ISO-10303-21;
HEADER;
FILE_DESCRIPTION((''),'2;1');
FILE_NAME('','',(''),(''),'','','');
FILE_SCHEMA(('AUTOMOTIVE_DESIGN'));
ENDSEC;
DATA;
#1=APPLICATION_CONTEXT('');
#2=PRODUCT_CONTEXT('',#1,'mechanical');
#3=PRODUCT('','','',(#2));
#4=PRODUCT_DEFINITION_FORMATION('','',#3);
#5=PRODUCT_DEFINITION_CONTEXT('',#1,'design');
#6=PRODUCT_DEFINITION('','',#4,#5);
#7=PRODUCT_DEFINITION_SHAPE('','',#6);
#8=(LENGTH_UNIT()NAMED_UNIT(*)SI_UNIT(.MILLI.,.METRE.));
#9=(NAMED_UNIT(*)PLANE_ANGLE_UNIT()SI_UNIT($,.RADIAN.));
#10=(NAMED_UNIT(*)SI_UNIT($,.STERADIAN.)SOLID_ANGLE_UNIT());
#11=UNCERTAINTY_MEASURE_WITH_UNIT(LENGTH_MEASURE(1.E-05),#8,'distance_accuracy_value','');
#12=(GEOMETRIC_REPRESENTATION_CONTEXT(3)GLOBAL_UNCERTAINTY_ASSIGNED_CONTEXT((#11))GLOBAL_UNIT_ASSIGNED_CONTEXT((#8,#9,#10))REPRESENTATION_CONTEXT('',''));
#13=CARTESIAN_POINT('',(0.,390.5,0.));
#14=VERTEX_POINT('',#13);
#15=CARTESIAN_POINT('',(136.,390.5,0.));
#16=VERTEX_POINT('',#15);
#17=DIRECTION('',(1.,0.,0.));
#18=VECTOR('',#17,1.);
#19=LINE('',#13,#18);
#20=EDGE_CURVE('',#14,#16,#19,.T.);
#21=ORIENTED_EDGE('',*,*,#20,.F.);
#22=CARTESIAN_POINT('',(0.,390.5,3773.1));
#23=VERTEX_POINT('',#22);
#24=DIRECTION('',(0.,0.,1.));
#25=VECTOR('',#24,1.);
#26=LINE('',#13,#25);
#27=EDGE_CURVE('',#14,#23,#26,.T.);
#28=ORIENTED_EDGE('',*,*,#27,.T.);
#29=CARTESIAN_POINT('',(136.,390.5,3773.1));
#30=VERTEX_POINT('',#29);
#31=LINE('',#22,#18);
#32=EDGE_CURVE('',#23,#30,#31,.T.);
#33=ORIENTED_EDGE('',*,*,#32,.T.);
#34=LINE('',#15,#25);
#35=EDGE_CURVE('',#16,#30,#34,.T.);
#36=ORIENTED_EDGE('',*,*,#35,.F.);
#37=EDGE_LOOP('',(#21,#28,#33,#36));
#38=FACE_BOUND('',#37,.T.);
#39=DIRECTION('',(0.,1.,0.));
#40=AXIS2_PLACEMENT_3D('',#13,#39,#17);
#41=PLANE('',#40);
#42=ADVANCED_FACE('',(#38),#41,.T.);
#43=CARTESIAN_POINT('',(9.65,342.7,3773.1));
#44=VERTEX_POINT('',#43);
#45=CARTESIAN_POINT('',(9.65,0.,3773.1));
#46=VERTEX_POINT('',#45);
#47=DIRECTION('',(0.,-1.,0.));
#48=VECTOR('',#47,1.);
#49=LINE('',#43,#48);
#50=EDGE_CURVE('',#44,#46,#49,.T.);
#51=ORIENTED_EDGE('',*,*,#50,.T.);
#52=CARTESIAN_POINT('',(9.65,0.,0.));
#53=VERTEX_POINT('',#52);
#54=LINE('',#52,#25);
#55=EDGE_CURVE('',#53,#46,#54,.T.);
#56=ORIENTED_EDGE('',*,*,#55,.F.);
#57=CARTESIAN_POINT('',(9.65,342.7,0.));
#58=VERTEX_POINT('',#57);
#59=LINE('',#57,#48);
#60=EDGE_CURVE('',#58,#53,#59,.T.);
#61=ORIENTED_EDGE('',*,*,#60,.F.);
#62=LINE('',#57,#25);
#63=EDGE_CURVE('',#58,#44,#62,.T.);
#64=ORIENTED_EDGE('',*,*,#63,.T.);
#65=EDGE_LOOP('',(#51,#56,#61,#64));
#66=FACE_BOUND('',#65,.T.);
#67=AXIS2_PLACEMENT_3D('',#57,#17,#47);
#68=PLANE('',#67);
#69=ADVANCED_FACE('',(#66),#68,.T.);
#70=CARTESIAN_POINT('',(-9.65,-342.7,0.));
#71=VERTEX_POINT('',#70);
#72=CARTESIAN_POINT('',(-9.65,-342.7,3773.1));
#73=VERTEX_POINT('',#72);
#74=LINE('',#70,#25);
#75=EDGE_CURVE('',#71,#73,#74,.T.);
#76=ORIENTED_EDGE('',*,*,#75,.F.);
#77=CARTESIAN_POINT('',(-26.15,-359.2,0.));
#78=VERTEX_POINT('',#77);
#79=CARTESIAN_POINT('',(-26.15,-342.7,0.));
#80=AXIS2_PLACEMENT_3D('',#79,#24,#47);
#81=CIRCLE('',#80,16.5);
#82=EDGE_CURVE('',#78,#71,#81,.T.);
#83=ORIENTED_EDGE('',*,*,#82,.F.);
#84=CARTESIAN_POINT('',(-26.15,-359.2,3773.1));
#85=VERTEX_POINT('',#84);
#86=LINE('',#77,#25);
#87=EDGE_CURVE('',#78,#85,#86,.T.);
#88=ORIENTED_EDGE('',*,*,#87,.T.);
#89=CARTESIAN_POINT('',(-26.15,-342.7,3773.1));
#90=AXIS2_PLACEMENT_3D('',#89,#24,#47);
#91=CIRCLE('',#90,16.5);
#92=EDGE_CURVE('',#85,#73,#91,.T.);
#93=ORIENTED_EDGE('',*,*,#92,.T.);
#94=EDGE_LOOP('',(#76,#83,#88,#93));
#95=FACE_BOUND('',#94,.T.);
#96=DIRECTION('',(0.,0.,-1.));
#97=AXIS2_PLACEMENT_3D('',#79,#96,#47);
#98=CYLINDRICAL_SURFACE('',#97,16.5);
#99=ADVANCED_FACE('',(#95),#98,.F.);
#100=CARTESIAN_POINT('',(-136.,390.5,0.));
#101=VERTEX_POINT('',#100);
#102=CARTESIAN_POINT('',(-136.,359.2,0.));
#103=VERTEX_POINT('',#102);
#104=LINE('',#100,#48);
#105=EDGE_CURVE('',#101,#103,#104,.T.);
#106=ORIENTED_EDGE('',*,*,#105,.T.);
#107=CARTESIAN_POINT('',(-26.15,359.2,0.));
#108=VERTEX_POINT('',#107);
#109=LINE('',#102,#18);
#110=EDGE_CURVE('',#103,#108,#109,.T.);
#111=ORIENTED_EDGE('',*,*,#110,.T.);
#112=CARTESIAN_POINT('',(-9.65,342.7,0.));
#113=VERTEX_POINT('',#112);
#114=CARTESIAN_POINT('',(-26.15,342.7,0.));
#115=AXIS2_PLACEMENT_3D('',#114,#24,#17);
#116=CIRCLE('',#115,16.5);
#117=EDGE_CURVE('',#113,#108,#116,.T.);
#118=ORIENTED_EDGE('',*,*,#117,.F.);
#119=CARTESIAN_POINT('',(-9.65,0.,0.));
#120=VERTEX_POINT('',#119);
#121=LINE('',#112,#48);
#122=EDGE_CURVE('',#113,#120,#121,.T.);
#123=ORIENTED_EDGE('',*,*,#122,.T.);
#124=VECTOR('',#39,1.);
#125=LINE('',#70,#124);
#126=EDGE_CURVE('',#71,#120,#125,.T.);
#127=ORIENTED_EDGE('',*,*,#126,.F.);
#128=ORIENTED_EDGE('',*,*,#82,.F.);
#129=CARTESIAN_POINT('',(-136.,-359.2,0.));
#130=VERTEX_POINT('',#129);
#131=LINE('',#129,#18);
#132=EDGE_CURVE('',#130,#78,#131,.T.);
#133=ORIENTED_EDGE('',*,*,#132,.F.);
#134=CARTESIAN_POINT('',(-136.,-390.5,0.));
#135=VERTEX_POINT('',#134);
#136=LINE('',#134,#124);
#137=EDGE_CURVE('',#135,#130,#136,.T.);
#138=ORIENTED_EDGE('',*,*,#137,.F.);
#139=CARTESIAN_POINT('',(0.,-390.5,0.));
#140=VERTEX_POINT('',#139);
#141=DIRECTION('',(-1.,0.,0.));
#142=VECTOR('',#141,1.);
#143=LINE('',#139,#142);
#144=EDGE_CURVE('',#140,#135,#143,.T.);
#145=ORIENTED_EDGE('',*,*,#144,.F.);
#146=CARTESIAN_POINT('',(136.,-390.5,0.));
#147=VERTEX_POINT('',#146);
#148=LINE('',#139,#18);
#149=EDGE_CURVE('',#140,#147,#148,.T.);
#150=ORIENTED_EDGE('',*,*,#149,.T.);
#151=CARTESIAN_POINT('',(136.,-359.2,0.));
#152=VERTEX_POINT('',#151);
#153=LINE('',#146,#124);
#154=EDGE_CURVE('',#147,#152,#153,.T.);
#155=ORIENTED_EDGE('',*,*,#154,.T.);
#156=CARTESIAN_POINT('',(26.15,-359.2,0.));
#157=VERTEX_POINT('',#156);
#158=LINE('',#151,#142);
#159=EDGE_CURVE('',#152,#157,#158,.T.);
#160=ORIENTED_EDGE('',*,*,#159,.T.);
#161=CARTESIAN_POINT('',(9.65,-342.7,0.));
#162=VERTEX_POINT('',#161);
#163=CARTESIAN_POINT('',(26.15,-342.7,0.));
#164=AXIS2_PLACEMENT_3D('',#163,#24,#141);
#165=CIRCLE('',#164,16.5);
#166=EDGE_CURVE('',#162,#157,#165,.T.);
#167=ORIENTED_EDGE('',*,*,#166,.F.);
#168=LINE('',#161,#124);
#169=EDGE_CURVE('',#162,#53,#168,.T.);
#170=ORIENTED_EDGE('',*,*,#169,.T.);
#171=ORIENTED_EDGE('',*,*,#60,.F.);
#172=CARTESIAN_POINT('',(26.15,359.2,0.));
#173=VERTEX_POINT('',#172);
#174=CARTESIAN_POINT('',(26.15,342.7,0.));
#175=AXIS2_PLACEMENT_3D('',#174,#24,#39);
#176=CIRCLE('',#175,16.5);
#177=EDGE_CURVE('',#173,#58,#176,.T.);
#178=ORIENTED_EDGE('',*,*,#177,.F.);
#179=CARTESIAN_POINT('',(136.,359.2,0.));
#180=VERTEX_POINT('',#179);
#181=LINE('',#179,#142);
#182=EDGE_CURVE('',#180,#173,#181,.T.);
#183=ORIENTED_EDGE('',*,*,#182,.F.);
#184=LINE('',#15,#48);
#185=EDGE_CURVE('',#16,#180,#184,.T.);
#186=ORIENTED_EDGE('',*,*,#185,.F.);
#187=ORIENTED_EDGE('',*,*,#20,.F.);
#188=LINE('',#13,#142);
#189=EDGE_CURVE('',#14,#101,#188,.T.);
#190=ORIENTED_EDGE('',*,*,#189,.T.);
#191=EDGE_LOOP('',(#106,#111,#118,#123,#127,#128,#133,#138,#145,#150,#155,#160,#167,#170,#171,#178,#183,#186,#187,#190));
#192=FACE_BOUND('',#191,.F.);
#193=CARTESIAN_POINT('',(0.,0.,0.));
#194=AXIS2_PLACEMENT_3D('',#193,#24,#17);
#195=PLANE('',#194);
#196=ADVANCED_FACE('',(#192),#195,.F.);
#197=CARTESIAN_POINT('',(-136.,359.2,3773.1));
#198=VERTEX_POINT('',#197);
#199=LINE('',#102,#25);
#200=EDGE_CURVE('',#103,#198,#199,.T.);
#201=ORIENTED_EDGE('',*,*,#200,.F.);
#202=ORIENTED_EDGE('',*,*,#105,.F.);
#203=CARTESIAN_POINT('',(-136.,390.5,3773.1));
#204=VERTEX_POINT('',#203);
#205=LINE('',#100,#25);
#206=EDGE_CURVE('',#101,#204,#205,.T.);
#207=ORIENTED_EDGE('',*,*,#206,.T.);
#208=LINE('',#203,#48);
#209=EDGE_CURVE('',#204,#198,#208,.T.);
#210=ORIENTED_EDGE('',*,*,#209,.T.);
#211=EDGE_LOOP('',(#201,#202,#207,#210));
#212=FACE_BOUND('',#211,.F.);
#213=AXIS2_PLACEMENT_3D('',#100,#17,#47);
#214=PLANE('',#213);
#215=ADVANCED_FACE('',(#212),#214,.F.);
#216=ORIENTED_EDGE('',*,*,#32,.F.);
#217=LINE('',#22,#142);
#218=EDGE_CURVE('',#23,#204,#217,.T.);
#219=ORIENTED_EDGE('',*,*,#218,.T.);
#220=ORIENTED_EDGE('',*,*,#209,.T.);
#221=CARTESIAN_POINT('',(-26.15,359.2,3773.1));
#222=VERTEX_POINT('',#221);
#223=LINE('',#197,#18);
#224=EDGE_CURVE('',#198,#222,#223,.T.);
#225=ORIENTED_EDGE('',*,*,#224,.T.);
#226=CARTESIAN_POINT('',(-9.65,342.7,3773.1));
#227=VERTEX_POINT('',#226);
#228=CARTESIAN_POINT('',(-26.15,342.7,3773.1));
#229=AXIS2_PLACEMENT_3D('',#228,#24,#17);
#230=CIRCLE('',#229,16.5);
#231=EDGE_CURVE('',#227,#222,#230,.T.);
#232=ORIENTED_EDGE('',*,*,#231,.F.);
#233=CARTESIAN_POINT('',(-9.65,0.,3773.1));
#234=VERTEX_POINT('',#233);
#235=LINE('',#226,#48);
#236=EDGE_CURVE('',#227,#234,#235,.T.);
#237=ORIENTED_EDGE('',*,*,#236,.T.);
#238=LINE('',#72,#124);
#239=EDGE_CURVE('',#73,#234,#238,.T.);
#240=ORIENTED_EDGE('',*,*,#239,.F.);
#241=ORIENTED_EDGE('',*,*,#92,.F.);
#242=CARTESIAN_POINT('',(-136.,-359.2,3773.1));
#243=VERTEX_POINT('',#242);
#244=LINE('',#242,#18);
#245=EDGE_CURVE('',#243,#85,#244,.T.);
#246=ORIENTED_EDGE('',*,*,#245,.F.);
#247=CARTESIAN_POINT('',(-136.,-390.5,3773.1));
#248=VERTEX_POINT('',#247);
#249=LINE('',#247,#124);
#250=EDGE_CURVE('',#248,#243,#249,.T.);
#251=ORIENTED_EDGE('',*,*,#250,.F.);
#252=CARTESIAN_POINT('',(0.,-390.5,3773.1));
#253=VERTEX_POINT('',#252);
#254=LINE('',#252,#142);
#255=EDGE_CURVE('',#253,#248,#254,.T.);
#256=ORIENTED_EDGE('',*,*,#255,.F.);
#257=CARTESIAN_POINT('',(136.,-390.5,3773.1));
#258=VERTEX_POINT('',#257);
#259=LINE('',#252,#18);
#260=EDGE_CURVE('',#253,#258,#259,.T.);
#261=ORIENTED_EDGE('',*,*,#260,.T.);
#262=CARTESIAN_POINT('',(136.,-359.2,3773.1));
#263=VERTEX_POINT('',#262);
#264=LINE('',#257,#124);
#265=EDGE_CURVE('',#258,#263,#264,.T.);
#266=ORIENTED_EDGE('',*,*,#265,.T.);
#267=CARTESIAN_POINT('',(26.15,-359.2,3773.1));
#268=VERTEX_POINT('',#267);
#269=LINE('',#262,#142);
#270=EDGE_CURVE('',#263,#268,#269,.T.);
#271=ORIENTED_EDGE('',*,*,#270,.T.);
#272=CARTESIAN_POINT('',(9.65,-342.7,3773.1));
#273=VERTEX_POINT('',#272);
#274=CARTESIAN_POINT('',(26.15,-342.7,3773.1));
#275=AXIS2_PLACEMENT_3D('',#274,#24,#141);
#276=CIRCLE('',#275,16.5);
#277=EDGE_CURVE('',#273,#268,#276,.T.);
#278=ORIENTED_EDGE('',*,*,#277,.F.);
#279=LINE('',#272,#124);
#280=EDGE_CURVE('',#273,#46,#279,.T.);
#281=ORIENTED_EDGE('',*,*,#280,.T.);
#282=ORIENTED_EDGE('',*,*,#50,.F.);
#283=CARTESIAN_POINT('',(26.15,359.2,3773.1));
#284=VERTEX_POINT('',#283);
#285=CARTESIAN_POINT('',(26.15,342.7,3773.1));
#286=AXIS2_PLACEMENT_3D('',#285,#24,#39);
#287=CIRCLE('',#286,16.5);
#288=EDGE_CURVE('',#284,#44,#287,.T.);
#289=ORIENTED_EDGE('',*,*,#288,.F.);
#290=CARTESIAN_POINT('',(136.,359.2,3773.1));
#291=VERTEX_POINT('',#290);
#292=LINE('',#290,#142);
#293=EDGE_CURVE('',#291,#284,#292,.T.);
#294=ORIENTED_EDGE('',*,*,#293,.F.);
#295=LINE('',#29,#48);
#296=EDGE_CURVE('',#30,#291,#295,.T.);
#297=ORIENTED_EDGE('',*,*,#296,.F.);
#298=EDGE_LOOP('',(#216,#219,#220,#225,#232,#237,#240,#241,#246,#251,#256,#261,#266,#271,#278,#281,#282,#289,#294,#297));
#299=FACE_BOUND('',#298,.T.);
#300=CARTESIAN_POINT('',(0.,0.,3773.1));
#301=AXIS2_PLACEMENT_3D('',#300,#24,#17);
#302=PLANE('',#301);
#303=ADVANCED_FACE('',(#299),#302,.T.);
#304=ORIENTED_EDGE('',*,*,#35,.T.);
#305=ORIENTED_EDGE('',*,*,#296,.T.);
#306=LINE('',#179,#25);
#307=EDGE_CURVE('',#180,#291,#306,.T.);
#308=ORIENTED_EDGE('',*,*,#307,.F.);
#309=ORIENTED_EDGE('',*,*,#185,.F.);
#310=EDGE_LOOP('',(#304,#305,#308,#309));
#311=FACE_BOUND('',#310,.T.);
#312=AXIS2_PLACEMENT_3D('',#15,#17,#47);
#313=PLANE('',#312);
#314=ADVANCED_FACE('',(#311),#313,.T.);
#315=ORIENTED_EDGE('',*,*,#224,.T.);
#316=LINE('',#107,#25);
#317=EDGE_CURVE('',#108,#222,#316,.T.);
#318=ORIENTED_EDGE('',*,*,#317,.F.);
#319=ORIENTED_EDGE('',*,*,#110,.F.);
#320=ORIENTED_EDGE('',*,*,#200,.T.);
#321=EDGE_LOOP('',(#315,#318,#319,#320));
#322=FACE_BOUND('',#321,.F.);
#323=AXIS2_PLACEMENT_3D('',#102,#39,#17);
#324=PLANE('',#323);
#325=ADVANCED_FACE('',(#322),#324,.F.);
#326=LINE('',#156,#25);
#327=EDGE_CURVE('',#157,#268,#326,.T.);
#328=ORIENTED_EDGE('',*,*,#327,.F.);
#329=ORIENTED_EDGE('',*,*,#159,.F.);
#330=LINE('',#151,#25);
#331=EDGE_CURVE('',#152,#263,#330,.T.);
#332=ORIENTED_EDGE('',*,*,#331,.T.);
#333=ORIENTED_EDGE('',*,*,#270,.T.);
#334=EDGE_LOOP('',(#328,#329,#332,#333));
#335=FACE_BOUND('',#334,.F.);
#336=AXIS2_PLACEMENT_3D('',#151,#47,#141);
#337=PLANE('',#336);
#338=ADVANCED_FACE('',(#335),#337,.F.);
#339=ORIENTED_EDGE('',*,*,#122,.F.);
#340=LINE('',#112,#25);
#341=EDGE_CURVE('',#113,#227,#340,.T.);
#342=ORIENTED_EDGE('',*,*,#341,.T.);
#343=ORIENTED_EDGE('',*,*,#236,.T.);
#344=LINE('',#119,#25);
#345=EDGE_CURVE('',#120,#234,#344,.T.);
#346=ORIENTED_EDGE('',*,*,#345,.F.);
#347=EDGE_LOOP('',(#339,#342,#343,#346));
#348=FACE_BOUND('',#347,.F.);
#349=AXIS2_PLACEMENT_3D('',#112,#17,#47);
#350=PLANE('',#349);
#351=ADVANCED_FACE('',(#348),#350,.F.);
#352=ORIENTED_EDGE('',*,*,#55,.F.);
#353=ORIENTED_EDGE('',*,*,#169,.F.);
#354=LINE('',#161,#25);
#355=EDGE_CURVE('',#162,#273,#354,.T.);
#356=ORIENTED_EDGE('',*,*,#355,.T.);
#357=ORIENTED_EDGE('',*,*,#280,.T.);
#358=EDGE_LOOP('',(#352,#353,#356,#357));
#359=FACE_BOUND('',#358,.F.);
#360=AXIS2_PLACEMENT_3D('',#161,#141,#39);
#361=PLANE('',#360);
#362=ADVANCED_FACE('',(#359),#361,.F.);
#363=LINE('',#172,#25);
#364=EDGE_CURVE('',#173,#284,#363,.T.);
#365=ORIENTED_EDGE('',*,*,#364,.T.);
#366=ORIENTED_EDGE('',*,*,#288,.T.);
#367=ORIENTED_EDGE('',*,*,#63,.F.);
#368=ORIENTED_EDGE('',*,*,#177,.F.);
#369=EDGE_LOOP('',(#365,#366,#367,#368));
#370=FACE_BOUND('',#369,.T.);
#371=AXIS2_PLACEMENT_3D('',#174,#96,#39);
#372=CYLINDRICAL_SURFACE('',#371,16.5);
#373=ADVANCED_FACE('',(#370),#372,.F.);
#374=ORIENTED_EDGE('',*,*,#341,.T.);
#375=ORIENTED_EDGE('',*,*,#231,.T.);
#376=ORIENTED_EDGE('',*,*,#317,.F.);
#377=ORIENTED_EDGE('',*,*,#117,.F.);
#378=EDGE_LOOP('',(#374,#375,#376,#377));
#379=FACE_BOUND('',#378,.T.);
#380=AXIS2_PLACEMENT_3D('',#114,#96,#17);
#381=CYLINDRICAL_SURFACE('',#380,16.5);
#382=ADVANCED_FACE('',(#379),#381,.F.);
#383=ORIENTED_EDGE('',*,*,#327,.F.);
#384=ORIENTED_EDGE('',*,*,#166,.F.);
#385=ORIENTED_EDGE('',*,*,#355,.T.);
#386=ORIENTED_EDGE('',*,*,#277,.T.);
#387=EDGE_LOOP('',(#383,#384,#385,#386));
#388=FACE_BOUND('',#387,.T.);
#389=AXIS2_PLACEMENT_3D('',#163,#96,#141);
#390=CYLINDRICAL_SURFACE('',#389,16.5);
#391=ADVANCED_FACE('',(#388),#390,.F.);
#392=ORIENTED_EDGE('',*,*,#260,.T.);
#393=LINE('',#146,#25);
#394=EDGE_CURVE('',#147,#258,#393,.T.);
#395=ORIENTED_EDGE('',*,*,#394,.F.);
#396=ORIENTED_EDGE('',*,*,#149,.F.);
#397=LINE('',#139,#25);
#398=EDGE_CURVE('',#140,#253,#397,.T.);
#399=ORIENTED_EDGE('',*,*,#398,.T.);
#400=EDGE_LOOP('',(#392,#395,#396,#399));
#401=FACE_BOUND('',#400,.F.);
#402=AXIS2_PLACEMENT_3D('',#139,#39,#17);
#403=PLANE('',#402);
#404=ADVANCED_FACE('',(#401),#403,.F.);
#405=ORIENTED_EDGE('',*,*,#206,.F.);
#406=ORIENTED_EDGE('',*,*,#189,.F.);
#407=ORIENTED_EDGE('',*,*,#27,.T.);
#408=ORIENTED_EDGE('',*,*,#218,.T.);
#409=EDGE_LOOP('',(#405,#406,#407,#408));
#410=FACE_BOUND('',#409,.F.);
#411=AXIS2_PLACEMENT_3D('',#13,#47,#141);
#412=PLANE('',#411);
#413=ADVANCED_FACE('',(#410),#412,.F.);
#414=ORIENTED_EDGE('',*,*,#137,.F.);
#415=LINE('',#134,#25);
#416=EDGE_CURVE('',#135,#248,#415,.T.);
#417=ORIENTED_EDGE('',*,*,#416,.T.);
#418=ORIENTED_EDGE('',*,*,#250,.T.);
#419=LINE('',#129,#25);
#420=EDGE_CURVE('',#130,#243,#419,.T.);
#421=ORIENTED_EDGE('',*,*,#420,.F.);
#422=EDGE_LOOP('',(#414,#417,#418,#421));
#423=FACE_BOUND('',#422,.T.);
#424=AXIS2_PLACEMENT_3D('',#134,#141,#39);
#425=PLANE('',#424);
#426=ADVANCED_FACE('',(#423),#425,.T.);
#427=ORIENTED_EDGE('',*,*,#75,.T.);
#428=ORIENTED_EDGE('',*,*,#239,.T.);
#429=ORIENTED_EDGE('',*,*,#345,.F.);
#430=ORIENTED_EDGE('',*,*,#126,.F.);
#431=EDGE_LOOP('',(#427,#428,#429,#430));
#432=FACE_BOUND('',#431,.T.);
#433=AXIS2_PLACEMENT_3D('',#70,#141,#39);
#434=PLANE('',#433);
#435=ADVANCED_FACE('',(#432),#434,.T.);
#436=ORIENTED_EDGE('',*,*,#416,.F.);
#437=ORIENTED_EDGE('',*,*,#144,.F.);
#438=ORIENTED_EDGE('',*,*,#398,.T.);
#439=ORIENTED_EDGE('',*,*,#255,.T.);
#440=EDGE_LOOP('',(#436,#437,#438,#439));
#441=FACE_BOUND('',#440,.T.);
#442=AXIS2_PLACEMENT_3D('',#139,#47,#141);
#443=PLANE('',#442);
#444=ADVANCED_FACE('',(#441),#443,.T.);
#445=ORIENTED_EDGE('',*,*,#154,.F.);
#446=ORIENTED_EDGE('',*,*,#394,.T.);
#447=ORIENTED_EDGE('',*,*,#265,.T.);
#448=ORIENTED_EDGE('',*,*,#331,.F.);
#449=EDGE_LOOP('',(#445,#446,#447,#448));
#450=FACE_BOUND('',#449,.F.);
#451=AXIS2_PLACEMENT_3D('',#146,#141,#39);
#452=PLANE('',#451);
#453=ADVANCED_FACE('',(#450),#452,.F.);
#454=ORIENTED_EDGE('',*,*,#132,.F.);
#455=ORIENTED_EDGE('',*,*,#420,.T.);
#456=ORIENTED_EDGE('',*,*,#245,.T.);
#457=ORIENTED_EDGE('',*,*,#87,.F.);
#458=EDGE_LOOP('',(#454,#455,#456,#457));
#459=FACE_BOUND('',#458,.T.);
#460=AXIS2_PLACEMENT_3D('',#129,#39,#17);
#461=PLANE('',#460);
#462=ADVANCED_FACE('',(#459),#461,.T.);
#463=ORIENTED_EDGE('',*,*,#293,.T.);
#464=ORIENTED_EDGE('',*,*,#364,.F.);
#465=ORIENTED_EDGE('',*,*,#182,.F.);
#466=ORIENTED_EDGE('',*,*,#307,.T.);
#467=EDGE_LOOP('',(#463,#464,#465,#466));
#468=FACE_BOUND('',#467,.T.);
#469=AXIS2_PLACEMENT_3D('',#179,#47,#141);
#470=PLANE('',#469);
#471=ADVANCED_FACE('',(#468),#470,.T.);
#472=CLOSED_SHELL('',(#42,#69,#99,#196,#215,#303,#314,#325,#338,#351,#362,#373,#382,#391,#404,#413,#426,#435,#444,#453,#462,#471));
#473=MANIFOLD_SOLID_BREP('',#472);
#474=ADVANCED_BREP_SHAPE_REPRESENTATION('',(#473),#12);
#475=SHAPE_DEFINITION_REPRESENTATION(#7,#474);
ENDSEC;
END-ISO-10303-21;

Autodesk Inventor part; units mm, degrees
ref_plane "YZ Plane" through (0, 0, 0) normal (1, 0, 0) x (0, 1, 0)
ref_plane "Start plane" through (0, 0, 0) normal (0, 0, 1) x (1, 0, 0)
ref_plane "End plane" through (0, 0, 3773.1) normal (0, 0, 1) x (1, 0, 0)
sketch "Sketch" plane through (0, 0, 0) normal (0, 0, 1) x (1, 0, 0)
  line L0 (-136, -390.5) -> (-136, -359.2)
  line L1 (-136, -359.2) -> (-26.15, -359.2)
  line L2 (-9.65, -342.7) -> (-9.65, 0)
  line L3 (-9.65, 0) -> (0, 0) construction
  line L4 (0, 0) -> (0, -390.5) construction
  line L5 (0, -390.5) -> (-136, -390.5)
  line L6 (-60, 0) -> (80, 0) construction
  line L7 (0, -60) -> (0, 80) construction
  line L8 (136, -390.5) -> (136, -359.2)
  line L9 (136, -359.2) -> (26.15, -359.2)
  line L10 (9.65, -342.7) -> (9.65, 0)
  line L11 (9.65, 0) -> (0, 0) construction
  line L12 (0, -390.5) -> (136, -390.5)
  line L13 (-136, 390.5) -> (-136, 359.2)
  line L14 (-136, 359.2) -> (-26.15, 359.2)
  line L15 (-9.65, 342.7) -> (-9.65, 0)
  line L16 (0, 390.5) -> (-136, 390.5)
  line L17 (136, 390.5) -> (136, 359.2)
  line L18 (136, 359.2) -> (26.15, 359.2)
  line L19 (0, 390.5) -> (136, 390.5)
  line L20 (9.65, 342.7) -> (9.65, 0)
  arc A0 (-9.65, 342.7) -> (-26.15, 359.2) centre (-26.15, 342.7) ccw
  arc A1 (26.15, 359.2) -> (9.65, 342.7) centre (26.15, 342.7) ccw
  arc A2 (9.65, -342.7) -> (26.15, -359.2) centre (26.15, -342.7) ccw
  arc A3 (-26.15, -359.2) -> (-9.65, -342.7) centre (-26.15, -342.7) ccw
  line L21 (0, 108) -> (0, -88) construction
  line L22 (-88, 0) -> (108, 0) construction
  point P0 (-9.65, -359.2)
  point P1 (9.65, -359.2)
  point P2 (-9.65, 359.2)
  point P3 (9.65, 359.2)
  dimension "d1" = 390.5
  dimension "d2" = 31.3
  dimension "d3" = 136
  dimension "d4" = 9.65
  dimension "d10" = 16.5
extrude "Body" add sketch "Sketch" along normal up to surface (3773.1 mm away) from surface at 0
sketch "Sketch4" plane through (0, 0, 0) normal (0, 0, 1) x (1, 0, 0)
  line L0 (0, 0) -> (10, 0)
ref_plane "Work Plane3" through (0, 0, 0) normal (0, -1, 0) x (1, 0, 0)
sketch "Sketch5" plane through (0, 0, 0) normal (0, -1, 0) x (1, 0, 0)
  line L0 (-2, 0) -> (12, 0) projected
  line L1 (-2, 3773.1) -> (12, 3773.1) projected
  dimension "d14" = 3773.1
equation "\"d1\" = 0.5 * G_H"
equation "\"d2\" = G_T1"
equation "\"d3\" = 0.5 * G_W"
equation "\"d4\" = 0.5 * G_T"
equation "\"d10\" = G_IR"
equation "\"d5\" = G_L"
equation "\"G_W\" = 272"
equation "\"G_H\" = 781"
equation "\"G_T\" = 19.3"
equation "\"G_T1\" = 31.3"
equation "\"G_IR\" = 16.5"
equation "\"G_L\" = d14"
equation "\"G_OFFSET_START\" = 0"
equation "\"G_OFFSET_END\" = 0"
equation "\"d12\" = G_OFFSET_END + B_L"
equation "\"B_L\" = 3773.1"
properties part number "AS 3679-1990 - 760 UB - 244 - 3773.1" material "Steel, Mild"
